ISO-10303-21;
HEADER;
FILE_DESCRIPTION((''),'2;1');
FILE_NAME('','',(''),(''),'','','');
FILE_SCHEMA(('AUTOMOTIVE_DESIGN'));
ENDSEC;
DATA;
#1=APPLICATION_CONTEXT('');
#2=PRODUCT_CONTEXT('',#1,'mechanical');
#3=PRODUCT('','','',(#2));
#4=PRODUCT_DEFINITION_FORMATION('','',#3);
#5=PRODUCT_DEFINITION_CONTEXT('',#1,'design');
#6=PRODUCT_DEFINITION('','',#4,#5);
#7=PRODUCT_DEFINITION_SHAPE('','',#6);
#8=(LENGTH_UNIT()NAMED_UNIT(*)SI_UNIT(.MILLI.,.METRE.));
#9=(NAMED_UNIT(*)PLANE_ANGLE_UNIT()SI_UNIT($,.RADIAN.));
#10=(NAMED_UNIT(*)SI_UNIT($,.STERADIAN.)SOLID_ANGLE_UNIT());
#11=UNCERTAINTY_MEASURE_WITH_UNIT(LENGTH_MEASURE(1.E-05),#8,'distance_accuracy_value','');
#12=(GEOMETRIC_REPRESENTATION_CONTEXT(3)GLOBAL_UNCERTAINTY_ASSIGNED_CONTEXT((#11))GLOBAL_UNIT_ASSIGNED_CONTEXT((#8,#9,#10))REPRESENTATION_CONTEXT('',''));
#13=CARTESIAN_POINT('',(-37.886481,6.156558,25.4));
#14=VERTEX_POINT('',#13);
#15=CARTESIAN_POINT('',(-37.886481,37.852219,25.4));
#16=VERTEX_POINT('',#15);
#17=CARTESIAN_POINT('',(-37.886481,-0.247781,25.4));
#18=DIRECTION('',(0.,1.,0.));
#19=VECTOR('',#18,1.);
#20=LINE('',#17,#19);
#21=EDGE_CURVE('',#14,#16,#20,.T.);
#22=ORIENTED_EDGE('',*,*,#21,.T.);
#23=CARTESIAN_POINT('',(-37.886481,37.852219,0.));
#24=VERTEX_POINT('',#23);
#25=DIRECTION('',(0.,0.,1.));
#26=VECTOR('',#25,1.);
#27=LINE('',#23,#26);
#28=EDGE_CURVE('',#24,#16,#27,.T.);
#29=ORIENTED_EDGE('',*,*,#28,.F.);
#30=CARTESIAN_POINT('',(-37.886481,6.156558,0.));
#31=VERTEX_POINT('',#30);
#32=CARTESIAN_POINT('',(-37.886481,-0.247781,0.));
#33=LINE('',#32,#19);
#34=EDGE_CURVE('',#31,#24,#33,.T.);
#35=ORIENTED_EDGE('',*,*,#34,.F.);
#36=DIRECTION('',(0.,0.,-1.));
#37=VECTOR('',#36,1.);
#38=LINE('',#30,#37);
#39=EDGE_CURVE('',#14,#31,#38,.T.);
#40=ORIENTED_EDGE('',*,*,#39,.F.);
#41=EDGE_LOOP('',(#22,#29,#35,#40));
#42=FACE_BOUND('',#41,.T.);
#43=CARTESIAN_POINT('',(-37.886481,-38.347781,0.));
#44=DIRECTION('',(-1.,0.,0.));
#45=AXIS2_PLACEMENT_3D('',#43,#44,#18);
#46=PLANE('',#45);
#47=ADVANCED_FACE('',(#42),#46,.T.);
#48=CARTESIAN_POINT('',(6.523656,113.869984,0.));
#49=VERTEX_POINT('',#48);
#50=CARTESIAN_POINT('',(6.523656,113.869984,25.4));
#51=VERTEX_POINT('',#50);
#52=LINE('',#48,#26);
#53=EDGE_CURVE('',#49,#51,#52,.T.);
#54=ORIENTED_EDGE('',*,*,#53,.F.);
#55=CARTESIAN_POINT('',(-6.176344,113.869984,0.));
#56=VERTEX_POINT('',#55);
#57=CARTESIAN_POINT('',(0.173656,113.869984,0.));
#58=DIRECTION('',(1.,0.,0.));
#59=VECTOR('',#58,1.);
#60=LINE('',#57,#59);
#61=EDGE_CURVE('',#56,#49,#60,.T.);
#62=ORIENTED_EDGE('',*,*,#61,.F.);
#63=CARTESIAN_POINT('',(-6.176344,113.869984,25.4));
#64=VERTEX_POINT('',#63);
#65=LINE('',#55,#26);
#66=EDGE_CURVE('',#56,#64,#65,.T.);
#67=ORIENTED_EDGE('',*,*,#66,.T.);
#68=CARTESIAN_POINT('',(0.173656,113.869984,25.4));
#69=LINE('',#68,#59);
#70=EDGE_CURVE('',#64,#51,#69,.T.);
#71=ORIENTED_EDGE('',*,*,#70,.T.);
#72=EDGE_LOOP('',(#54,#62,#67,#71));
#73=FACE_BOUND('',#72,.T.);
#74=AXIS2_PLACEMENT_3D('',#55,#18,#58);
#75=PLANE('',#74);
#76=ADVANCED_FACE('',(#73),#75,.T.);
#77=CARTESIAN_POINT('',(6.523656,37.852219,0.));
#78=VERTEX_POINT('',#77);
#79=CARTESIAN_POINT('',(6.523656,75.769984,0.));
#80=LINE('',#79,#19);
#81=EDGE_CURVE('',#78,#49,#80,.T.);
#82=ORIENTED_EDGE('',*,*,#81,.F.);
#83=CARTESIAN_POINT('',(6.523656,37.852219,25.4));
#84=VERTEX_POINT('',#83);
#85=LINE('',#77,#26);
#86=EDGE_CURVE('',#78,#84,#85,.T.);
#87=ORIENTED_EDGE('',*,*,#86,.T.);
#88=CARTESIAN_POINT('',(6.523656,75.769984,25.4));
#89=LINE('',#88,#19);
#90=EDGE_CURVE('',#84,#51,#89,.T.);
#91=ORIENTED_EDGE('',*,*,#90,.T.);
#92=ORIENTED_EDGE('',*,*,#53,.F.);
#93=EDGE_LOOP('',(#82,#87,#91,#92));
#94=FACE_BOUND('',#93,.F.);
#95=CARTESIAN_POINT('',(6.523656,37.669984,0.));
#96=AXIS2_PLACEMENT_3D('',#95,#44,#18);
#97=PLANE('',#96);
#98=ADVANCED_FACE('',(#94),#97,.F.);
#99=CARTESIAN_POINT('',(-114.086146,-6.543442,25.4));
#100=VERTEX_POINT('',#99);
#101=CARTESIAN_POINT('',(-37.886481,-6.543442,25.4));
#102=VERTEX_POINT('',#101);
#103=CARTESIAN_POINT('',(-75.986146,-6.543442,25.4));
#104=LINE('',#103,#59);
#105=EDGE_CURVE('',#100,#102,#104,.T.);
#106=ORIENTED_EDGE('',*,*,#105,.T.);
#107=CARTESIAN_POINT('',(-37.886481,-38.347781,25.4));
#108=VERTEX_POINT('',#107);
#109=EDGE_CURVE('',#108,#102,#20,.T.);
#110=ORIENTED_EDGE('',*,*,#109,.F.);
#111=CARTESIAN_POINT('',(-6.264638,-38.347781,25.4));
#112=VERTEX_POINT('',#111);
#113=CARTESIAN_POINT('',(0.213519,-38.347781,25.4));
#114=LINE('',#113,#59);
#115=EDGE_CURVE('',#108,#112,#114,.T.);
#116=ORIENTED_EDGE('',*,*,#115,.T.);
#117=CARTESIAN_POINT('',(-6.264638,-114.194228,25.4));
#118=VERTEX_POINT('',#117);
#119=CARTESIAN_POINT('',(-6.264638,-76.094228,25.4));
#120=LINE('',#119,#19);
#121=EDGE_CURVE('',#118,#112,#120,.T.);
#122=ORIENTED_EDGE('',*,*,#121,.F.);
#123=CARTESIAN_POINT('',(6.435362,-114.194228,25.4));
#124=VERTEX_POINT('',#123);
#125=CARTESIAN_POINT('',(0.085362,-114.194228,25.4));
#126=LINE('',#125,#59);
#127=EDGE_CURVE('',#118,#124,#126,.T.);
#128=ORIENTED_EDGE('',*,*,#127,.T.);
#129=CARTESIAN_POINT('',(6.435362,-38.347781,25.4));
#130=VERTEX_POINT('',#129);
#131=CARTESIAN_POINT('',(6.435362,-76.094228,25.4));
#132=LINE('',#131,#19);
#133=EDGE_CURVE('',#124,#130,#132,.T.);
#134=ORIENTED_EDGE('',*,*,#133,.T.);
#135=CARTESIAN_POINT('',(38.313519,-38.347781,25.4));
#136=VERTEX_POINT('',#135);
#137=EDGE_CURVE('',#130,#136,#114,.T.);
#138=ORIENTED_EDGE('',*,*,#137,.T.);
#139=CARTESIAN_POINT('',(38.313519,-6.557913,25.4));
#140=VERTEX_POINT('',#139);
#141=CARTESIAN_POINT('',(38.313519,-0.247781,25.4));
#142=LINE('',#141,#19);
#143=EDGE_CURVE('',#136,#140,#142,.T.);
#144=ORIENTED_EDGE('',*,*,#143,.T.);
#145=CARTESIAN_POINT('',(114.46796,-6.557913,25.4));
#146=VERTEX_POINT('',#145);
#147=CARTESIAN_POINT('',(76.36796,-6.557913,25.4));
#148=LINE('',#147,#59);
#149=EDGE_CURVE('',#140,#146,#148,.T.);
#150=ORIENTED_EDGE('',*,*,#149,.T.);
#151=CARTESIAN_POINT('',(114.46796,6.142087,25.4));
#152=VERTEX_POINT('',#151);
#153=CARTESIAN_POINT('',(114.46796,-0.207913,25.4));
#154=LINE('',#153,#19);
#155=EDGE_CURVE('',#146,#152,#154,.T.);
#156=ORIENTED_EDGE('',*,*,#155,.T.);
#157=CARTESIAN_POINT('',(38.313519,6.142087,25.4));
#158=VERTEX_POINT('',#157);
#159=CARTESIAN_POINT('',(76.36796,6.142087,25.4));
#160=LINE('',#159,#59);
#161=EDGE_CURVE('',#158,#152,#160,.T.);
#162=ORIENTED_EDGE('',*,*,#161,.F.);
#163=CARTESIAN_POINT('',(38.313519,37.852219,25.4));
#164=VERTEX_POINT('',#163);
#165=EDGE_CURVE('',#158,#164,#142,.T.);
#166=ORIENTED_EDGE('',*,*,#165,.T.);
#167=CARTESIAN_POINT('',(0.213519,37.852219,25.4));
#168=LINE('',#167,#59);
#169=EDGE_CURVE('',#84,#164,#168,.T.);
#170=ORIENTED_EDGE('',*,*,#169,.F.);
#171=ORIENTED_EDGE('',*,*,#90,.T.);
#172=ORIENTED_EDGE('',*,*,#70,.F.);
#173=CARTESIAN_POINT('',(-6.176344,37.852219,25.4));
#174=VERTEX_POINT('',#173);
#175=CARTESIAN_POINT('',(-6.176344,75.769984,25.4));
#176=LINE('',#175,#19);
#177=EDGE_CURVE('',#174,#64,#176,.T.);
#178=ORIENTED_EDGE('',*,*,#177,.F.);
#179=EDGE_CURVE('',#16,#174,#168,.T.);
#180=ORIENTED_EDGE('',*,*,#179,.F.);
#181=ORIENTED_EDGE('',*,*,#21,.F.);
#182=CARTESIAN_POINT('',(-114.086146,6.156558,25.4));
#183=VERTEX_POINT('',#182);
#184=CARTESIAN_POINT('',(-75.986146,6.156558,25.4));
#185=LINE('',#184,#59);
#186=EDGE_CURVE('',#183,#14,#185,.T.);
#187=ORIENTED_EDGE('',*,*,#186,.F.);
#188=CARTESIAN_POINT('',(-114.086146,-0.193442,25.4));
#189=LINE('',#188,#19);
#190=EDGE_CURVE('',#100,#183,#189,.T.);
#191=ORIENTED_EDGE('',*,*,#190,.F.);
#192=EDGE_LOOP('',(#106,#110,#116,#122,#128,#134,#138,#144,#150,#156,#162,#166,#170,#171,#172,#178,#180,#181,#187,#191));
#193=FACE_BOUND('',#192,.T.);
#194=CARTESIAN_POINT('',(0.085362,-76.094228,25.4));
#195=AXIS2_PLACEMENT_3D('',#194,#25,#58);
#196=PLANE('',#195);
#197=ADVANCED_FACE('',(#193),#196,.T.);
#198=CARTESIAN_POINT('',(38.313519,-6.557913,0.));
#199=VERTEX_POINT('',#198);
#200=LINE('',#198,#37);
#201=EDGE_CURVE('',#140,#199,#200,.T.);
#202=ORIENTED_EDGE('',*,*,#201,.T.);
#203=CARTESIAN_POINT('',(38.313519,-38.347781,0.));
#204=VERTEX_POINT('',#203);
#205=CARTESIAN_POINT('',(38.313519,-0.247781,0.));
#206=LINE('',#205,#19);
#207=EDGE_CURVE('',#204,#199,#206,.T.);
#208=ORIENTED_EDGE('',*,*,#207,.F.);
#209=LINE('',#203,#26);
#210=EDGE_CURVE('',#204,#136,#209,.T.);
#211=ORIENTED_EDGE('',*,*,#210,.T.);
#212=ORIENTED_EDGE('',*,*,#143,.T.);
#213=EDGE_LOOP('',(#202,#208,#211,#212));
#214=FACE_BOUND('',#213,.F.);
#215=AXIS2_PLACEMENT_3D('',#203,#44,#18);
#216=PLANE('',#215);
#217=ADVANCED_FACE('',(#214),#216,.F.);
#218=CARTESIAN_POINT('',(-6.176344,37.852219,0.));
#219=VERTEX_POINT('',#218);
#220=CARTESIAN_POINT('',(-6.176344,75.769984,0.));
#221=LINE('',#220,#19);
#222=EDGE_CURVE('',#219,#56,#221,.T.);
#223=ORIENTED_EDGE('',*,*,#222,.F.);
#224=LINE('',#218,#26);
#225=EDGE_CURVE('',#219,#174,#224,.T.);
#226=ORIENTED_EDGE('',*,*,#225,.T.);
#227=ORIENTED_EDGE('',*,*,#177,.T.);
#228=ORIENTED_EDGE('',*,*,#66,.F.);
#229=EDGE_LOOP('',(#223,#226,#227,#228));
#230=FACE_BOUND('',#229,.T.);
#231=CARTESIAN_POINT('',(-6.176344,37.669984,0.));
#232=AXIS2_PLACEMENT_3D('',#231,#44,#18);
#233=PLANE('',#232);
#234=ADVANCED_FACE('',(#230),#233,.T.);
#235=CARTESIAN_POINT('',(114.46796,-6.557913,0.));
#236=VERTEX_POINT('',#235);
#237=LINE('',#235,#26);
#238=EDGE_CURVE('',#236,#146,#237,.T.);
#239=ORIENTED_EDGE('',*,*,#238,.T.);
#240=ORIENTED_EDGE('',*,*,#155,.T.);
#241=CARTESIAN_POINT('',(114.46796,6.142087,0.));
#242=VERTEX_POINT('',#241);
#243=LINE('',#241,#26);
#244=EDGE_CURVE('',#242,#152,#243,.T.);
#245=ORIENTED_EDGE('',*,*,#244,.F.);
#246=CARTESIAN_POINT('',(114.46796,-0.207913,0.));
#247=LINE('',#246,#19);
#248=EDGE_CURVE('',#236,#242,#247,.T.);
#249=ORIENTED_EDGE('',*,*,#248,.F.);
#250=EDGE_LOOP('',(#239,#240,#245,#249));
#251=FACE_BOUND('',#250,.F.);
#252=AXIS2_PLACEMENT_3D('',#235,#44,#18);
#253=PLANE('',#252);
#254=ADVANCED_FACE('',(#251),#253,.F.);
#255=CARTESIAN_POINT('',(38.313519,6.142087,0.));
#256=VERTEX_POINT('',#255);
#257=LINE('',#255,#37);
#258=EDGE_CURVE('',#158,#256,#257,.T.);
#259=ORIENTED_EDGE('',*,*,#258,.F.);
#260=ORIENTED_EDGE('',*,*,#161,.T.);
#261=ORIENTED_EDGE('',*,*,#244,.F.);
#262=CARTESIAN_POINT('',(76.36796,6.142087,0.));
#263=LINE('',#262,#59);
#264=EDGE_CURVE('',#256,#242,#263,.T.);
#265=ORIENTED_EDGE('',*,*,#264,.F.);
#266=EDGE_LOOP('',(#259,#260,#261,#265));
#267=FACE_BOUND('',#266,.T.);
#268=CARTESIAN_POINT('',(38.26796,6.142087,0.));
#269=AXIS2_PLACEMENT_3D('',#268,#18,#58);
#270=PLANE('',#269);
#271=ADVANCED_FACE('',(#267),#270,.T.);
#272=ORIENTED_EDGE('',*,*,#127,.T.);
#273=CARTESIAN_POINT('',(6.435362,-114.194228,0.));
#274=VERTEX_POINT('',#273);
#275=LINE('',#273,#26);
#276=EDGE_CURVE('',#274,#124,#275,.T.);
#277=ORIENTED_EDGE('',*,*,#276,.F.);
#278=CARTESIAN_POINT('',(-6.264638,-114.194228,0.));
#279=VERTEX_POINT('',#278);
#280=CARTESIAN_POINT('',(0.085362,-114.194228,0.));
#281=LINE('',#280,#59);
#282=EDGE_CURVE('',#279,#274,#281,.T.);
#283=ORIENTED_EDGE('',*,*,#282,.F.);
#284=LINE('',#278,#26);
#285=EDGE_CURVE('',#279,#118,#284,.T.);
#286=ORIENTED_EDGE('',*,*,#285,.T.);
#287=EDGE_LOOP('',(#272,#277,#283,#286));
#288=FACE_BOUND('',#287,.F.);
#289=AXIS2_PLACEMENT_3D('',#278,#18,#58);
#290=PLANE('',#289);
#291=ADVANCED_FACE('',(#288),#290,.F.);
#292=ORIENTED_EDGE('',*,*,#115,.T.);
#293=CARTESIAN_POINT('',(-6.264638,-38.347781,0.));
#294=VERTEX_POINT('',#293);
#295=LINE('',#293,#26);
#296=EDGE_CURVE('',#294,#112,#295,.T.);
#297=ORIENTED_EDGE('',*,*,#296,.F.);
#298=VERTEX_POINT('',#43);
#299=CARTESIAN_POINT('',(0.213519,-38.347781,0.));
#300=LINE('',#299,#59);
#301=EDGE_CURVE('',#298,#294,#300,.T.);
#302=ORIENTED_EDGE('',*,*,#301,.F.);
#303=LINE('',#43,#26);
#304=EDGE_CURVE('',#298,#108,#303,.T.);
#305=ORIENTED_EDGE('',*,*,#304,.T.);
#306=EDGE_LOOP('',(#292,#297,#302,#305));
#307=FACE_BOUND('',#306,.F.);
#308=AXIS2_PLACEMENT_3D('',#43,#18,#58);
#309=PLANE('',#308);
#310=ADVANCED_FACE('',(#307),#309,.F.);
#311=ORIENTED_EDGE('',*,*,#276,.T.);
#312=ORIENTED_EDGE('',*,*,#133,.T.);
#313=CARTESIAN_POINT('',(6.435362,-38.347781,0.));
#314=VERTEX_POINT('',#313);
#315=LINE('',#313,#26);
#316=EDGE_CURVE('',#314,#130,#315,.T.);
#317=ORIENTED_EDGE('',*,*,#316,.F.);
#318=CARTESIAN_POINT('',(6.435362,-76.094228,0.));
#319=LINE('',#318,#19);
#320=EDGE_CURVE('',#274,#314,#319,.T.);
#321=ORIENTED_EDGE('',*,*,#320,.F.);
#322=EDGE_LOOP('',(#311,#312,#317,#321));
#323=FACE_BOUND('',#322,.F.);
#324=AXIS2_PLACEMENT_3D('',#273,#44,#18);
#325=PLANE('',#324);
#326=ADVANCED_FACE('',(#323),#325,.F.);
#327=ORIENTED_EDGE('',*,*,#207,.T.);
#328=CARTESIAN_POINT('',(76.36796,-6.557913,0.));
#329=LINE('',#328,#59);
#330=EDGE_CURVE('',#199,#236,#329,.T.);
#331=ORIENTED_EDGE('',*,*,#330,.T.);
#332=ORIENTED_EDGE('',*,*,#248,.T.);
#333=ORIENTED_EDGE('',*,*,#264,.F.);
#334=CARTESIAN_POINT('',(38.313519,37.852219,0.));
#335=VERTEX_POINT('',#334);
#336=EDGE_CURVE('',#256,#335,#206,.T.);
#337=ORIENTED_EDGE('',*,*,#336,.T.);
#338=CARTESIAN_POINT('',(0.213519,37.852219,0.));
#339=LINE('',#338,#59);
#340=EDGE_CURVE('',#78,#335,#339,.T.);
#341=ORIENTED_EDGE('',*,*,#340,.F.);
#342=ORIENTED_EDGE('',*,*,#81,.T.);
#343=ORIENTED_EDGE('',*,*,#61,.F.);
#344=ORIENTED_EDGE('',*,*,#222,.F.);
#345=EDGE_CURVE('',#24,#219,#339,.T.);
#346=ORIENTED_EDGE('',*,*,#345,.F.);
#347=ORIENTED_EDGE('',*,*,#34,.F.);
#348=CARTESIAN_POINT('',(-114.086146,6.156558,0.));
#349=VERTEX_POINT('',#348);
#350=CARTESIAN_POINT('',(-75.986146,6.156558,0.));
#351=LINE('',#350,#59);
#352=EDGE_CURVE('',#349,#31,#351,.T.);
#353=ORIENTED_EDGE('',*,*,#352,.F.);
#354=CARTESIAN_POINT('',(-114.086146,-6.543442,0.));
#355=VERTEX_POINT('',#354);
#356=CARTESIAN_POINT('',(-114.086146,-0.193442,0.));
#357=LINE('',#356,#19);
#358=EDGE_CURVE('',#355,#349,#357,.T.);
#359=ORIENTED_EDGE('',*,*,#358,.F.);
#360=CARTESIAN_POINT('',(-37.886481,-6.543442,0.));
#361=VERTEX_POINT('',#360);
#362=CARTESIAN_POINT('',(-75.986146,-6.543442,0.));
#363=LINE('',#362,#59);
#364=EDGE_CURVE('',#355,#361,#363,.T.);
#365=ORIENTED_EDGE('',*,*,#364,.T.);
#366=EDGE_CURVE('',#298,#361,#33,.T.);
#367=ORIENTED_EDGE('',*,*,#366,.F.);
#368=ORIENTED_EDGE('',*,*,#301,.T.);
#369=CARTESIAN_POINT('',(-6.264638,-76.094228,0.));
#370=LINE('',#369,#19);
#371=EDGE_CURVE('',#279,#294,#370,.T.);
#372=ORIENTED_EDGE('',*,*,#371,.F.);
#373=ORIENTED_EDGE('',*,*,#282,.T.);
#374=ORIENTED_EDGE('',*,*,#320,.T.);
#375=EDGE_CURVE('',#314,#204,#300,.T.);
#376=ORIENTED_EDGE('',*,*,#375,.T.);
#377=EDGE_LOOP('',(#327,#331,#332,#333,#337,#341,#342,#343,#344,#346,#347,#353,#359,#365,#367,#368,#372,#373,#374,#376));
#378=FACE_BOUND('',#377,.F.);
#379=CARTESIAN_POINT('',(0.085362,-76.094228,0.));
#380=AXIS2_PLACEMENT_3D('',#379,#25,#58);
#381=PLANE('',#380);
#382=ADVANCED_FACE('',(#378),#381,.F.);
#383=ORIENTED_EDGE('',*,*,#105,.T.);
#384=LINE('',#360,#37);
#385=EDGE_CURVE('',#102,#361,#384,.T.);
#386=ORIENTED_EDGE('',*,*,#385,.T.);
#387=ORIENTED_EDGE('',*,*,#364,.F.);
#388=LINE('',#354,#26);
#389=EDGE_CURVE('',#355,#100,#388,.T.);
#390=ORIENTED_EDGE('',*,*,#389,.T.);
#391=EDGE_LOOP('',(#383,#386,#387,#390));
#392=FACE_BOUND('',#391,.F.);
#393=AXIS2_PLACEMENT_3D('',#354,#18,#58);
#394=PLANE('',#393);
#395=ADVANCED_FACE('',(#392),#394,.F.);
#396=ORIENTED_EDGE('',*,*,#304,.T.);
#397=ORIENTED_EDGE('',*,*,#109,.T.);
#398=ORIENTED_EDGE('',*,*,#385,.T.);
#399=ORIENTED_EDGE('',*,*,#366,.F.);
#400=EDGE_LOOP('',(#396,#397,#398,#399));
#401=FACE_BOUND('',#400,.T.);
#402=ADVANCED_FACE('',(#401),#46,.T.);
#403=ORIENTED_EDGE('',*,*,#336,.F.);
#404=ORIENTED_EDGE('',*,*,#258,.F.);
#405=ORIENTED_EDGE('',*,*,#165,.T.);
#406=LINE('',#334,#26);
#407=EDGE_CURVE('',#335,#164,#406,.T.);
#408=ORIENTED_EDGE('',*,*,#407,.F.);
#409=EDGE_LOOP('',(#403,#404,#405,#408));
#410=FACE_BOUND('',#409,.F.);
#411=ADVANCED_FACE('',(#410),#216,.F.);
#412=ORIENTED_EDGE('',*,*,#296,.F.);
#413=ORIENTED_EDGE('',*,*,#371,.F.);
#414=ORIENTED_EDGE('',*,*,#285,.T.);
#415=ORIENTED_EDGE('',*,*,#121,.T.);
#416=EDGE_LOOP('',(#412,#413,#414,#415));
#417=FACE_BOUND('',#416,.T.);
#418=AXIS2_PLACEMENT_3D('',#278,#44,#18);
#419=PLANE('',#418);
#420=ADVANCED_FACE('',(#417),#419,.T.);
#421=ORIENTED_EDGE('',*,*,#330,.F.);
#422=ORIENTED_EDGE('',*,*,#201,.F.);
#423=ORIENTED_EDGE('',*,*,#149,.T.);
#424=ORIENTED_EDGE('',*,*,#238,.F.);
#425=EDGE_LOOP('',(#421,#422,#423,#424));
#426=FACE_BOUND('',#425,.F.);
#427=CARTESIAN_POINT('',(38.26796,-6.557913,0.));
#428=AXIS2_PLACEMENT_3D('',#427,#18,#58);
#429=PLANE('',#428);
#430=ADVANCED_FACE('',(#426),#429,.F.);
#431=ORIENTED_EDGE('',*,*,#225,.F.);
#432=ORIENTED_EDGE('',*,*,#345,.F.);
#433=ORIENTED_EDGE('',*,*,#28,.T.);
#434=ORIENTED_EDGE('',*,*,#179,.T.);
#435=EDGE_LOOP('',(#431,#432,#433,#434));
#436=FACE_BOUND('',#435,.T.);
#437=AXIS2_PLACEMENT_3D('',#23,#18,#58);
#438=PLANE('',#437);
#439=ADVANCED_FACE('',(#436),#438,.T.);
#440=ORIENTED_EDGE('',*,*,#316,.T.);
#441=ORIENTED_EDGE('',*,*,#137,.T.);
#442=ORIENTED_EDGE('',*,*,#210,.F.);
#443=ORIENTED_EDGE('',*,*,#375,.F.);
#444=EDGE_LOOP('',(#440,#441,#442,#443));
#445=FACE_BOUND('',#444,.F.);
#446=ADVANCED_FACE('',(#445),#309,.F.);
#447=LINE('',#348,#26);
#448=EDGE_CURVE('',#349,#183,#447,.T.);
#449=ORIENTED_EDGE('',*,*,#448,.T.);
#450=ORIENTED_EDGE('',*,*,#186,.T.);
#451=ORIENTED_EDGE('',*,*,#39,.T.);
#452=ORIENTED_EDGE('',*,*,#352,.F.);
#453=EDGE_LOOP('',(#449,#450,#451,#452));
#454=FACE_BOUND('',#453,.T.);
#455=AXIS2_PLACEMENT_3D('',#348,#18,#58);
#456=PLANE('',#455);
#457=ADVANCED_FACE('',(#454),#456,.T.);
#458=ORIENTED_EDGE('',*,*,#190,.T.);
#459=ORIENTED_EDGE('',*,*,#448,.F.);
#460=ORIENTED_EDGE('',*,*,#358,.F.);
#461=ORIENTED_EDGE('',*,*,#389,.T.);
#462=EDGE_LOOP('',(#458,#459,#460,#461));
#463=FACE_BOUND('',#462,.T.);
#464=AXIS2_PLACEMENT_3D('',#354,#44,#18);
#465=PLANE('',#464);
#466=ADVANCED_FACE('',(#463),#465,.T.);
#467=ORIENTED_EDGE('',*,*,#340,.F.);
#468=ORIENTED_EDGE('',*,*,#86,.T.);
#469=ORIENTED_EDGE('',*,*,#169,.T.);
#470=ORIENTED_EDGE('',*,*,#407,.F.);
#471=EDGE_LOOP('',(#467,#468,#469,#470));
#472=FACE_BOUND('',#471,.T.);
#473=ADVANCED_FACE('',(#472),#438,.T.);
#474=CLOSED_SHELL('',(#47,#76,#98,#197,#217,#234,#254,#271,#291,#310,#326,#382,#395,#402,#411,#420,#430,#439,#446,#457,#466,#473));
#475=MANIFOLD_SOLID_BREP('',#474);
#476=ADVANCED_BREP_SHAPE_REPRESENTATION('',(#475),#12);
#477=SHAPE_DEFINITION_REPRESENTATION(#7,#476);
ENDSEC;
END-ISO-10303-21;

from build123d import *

# Parameters (mm, degrees)
F0_W     = 76.2
F0_H     = 76.2
F1_DEPTH = 25.4
F2_W     = 12.7
F2_H     = 76.2
F6_DEPTH = 25.4
F4_W     = 76.2
F4_H     = 12.7
F7_DEPTH = 25.4
F5_W     = 76.2
F5_H     = 12.7
F8_DEPTH = 25.4
F3_W     = 12.7
F3_H     = 76.2
F9_DEPTH = 25.4


with BuildPart() as f1:
    # F0 (on Top) → F1 (new body)
    with BuildSketch(Plane.XY):
        with Locations((0.213519, -0.247781)):
            Rectangle(F0_W, F0_H)
    extrude(amount=F1_DEPTH)

    # F2 (on Top) → F6 (join)
    with BuildSketch(Plane.XY):
        with Locations((0.173656, 75.769984)):
            Rectangle(F2_W, F2_H)
    extrude(amount=F6_DEPTH)

    # F4 (on Top) → F7 (join)
    with BuildSketch(Plane.XY):
        with Locations((-75.986146, -0.193442)):
            Rectangle(F4_W, F4_H)
    extrude(amount=F7_DEPTH)

    # F5 (on Top) → F8 (join)
    with BuildSketch(Plane.XY):
        with Locations((76.36796, -0.207913)):
            Rectangle(F5_W, F5_H)
    extrude(amount=F8_DEPTH)

    # F3 (on Top) → F9 (join)
    with BuildSketch(Plane.XY):
        with Locations((0.085362, -76.094228)):
            Rectangle(F3_W, F3_H)
    extrude(amount=F9_DEPTH)


solid = f1.part
